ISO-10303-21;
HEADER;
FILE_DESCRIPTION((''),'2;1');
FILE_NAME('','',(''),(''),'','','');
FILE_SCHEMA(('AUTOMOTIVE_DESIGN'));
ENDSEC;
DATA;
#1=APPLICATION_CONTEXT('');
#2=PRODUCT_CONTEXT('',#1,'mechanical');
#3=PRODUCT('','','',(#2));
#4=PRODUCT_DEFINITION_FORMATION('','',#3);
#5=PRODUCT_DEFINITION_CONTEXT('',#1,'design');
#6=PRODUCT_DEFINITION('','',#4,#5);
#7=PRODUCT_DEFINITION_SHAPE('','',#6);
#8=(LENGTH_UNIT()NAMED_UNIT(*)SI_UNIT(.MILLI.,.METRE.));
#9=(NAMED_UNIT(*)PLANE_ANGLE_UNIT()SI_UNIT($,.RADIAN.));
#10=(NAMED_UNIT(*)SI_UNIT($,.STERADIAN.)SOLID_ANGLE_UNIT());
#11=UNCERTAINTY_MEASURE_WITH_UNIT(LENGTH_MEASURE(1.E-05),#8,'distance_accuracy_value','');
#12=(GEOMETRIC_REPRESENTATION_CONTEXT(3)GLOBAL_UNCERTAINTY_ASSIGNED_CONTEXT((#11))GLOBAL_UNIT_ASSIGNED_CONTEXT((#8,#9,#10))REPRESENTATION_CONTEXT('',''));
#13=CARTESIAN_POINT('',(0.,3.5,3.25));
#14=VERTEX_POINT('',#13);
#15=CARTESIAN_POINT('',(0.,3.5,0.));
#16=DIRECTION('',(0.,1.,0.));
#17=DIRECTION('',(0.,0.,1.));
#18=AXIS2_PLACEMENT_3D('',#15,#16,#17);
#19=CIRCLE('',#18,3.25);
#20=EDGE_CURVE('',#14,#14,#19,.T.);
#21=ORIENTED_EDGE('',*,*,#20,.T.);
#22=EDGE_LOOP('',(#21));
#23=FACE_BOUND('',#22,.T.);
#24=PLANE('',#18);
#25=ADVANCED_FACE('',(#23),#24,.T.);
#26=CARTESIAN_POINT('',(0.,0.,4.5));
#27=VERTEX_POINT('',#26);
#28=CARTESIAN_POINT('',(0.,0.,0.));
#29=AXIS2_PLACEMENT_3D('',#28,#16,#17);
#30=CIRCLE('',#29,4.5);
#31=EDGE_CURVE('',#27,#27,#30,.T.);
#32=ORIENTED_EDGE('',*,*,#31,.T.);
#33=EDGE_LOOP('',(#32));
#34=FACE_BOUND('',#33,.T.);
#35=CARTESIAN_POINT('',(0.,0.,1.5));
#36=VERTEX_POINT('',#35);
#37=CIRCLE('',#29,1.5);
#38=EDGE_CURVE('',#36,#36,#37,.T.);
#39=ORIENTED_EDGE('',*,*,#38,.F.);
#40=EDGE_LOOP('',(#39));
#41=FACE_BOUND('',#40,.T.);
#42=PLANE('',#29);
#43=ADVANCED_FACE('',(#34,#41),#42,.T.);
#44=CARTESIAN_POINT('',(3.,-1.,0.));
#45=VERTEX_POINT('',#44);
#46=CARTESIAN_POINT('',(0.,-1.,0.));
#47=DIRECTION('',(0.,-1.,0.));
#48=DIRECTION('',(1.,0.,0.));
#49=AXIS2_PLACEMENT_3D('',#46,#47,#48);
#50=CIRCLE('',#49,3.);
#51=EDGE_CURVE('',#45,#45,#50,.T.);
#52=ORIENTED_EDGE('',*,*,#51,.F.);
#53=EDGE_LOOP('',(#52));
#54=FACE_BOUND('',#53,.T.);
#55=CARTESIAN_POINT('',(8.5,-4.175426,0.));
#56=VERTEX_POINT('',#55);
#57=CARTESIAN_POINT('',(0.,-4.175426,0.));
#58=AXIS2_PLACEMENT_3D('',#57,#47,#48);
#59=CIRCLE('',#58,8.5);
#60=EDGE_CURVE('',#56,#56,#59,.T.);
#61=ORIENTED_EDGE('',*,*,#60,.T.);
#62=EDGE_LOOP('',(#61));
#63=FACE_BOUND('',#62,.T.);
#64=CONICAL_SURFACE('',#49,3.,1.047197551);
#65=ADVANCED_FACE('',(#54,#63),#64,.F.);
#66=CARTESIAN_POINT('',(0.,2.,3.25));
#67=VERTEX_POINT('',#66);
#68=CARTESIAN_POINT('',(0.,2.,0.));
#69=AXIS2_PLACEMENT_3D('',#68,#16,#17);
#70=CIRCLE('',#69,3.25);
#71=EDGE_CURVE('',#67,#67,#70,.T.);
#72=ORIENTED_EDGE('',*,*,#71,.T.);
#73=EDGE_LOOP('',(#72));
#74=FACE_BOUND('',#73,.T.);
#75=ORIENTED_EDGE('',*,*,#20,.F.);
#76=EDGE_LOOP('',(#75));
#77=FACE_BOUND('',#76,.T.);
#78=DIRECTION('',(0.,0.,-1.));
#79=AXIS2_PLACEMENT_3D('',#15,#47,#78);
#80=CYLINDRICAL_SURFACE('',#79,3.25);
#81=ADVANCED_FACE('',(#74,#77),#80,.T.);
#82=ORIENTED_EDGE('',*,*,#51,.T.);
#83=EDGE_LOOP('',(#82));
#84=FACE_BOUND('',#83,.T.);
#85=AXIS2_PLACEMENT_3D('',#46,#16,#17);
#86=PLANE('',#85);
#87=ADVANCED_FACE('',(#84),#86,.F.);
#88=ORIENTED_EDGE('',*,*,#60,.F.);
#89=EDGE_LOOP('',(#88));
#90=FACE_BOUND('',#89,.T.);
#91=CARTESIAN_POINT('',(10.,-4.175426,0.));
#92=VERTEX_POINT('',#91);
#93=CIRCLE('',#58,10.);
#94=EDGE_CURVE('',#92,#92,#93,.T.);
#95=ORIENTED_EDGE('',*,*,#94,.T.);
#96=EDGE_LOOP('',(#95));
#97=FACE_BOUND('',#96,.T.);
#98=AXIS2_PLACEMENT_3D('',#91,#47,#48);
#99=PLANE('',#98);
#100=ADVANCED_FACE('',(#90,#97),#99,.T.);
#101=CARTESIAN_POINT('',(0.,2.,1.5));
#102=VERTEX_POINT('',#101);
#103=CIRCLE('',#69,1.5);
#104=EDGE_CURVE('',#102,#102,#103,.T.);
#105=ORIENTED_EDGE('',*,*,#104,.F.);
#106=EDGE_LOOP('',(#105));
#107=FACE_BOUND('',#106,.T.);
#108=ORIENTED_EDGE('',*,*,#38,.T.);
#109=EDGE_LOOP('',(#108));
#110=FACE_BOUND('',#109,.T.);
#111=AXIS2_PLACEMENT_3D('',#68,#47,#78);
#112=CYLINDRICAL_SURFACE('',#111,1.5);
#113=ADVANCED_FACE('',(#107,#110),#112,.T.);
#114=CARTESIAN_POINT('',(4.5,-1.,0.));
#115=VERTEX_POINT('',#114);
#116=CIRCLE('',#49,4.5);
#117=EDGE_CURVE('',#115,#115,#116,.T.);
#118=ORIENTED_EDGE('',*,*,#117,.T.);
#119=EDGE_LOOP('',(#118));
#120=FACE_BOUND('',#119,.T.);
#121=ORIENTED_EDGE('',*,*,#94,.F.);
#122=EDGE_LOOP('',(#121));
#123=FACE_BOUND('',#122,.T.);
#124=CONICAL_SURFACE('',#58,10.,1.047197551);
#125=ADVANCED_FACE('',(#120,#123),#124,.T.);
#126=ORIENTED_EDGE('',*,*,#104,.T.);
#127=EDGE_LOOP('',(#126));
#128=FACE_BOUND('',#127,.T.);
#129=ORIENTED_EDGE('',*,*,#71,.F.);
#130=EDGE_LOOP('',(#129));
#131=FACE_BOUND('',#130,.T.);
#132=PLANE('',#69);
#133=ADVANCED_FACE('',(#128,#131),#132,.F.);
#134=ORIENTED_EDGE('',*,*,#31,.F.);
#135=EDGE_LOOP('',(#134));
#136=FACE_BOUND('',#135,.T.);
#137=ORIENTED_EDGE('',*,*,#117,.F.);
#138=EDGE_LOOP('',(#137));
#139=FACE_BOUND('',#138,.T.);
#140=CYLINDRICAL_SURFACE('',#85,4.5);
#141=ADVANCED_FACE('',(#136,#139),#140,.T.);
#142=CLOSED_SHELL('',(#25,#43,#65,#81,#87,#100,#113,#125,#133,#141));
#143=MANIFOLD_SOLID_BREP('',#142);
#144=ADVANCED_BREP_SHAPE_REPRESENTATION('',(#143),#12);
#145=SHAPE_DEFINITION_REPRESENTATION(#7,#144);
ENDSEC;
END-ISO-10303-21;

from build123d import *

# Parameters (mm, degrees)
SKETCH_1_R      = 1.5
EXTRUDE_1_DEPTH = 2
EXTRUDE_START   = 2
SKETCH_2_R      = 3.25
EXTRUDE_2_DEPTH = 1.5
SKETCH_3_R      = 4.5
EXTRUDE_3_DEPTH = 1


with BuildPart() as part:
    # 草图1 → 凸台-拉伸1 (new body)
    with BuildSketch(Plane(origin=(0, 0, 0), x_dir=(1, 0, 0), z_dir=(0, 1, 0))):
        with Locations(Location((0, 0, 0), (0, 0, 270))):
            Circle(SKETCH_1_R)
    extrude(amount=EXTRUDE_1_DEPTH)

    # 草图2 → 凸台-拉伸2 (add)
    with BuildSketch(Plane(origin=(0, 0, 0), x_dir=(1, 0, 0), z_dir=(0, 1, 0)).offset(EXTRUDE_START)):
        with Locations(Location((0, 0, 0), (0, 0, 270))):
            Circle(SKETCH_2_R)
    extrude(amount=EXTRUDE_2_DEPTH)

    # 草图3 → 凸台-拉伸3 (add)
    with BuildSketch(Plane(origin=(0, 0, 0), x_dir=(1, 0, 0), z_dir=(0, 1, 0))):
        with Locations(Location((0, 0, 0), (0, 0, 270))):
            Circle(SKETCH_3_R)
    extrude(amount=-EXTRUDE_3_DEPTH)

    # 草图4 → 旋转1 (revolve)
    with BuildSketch(Plane.XY):
        Polygon((4.5, -1), (10, -4.175426481), (8.5, -4.175426481), (3, -1), align=None)
    revolve(axis=Axis((0, -1000, 0), (0, 1, 0)))


solid = part.part
